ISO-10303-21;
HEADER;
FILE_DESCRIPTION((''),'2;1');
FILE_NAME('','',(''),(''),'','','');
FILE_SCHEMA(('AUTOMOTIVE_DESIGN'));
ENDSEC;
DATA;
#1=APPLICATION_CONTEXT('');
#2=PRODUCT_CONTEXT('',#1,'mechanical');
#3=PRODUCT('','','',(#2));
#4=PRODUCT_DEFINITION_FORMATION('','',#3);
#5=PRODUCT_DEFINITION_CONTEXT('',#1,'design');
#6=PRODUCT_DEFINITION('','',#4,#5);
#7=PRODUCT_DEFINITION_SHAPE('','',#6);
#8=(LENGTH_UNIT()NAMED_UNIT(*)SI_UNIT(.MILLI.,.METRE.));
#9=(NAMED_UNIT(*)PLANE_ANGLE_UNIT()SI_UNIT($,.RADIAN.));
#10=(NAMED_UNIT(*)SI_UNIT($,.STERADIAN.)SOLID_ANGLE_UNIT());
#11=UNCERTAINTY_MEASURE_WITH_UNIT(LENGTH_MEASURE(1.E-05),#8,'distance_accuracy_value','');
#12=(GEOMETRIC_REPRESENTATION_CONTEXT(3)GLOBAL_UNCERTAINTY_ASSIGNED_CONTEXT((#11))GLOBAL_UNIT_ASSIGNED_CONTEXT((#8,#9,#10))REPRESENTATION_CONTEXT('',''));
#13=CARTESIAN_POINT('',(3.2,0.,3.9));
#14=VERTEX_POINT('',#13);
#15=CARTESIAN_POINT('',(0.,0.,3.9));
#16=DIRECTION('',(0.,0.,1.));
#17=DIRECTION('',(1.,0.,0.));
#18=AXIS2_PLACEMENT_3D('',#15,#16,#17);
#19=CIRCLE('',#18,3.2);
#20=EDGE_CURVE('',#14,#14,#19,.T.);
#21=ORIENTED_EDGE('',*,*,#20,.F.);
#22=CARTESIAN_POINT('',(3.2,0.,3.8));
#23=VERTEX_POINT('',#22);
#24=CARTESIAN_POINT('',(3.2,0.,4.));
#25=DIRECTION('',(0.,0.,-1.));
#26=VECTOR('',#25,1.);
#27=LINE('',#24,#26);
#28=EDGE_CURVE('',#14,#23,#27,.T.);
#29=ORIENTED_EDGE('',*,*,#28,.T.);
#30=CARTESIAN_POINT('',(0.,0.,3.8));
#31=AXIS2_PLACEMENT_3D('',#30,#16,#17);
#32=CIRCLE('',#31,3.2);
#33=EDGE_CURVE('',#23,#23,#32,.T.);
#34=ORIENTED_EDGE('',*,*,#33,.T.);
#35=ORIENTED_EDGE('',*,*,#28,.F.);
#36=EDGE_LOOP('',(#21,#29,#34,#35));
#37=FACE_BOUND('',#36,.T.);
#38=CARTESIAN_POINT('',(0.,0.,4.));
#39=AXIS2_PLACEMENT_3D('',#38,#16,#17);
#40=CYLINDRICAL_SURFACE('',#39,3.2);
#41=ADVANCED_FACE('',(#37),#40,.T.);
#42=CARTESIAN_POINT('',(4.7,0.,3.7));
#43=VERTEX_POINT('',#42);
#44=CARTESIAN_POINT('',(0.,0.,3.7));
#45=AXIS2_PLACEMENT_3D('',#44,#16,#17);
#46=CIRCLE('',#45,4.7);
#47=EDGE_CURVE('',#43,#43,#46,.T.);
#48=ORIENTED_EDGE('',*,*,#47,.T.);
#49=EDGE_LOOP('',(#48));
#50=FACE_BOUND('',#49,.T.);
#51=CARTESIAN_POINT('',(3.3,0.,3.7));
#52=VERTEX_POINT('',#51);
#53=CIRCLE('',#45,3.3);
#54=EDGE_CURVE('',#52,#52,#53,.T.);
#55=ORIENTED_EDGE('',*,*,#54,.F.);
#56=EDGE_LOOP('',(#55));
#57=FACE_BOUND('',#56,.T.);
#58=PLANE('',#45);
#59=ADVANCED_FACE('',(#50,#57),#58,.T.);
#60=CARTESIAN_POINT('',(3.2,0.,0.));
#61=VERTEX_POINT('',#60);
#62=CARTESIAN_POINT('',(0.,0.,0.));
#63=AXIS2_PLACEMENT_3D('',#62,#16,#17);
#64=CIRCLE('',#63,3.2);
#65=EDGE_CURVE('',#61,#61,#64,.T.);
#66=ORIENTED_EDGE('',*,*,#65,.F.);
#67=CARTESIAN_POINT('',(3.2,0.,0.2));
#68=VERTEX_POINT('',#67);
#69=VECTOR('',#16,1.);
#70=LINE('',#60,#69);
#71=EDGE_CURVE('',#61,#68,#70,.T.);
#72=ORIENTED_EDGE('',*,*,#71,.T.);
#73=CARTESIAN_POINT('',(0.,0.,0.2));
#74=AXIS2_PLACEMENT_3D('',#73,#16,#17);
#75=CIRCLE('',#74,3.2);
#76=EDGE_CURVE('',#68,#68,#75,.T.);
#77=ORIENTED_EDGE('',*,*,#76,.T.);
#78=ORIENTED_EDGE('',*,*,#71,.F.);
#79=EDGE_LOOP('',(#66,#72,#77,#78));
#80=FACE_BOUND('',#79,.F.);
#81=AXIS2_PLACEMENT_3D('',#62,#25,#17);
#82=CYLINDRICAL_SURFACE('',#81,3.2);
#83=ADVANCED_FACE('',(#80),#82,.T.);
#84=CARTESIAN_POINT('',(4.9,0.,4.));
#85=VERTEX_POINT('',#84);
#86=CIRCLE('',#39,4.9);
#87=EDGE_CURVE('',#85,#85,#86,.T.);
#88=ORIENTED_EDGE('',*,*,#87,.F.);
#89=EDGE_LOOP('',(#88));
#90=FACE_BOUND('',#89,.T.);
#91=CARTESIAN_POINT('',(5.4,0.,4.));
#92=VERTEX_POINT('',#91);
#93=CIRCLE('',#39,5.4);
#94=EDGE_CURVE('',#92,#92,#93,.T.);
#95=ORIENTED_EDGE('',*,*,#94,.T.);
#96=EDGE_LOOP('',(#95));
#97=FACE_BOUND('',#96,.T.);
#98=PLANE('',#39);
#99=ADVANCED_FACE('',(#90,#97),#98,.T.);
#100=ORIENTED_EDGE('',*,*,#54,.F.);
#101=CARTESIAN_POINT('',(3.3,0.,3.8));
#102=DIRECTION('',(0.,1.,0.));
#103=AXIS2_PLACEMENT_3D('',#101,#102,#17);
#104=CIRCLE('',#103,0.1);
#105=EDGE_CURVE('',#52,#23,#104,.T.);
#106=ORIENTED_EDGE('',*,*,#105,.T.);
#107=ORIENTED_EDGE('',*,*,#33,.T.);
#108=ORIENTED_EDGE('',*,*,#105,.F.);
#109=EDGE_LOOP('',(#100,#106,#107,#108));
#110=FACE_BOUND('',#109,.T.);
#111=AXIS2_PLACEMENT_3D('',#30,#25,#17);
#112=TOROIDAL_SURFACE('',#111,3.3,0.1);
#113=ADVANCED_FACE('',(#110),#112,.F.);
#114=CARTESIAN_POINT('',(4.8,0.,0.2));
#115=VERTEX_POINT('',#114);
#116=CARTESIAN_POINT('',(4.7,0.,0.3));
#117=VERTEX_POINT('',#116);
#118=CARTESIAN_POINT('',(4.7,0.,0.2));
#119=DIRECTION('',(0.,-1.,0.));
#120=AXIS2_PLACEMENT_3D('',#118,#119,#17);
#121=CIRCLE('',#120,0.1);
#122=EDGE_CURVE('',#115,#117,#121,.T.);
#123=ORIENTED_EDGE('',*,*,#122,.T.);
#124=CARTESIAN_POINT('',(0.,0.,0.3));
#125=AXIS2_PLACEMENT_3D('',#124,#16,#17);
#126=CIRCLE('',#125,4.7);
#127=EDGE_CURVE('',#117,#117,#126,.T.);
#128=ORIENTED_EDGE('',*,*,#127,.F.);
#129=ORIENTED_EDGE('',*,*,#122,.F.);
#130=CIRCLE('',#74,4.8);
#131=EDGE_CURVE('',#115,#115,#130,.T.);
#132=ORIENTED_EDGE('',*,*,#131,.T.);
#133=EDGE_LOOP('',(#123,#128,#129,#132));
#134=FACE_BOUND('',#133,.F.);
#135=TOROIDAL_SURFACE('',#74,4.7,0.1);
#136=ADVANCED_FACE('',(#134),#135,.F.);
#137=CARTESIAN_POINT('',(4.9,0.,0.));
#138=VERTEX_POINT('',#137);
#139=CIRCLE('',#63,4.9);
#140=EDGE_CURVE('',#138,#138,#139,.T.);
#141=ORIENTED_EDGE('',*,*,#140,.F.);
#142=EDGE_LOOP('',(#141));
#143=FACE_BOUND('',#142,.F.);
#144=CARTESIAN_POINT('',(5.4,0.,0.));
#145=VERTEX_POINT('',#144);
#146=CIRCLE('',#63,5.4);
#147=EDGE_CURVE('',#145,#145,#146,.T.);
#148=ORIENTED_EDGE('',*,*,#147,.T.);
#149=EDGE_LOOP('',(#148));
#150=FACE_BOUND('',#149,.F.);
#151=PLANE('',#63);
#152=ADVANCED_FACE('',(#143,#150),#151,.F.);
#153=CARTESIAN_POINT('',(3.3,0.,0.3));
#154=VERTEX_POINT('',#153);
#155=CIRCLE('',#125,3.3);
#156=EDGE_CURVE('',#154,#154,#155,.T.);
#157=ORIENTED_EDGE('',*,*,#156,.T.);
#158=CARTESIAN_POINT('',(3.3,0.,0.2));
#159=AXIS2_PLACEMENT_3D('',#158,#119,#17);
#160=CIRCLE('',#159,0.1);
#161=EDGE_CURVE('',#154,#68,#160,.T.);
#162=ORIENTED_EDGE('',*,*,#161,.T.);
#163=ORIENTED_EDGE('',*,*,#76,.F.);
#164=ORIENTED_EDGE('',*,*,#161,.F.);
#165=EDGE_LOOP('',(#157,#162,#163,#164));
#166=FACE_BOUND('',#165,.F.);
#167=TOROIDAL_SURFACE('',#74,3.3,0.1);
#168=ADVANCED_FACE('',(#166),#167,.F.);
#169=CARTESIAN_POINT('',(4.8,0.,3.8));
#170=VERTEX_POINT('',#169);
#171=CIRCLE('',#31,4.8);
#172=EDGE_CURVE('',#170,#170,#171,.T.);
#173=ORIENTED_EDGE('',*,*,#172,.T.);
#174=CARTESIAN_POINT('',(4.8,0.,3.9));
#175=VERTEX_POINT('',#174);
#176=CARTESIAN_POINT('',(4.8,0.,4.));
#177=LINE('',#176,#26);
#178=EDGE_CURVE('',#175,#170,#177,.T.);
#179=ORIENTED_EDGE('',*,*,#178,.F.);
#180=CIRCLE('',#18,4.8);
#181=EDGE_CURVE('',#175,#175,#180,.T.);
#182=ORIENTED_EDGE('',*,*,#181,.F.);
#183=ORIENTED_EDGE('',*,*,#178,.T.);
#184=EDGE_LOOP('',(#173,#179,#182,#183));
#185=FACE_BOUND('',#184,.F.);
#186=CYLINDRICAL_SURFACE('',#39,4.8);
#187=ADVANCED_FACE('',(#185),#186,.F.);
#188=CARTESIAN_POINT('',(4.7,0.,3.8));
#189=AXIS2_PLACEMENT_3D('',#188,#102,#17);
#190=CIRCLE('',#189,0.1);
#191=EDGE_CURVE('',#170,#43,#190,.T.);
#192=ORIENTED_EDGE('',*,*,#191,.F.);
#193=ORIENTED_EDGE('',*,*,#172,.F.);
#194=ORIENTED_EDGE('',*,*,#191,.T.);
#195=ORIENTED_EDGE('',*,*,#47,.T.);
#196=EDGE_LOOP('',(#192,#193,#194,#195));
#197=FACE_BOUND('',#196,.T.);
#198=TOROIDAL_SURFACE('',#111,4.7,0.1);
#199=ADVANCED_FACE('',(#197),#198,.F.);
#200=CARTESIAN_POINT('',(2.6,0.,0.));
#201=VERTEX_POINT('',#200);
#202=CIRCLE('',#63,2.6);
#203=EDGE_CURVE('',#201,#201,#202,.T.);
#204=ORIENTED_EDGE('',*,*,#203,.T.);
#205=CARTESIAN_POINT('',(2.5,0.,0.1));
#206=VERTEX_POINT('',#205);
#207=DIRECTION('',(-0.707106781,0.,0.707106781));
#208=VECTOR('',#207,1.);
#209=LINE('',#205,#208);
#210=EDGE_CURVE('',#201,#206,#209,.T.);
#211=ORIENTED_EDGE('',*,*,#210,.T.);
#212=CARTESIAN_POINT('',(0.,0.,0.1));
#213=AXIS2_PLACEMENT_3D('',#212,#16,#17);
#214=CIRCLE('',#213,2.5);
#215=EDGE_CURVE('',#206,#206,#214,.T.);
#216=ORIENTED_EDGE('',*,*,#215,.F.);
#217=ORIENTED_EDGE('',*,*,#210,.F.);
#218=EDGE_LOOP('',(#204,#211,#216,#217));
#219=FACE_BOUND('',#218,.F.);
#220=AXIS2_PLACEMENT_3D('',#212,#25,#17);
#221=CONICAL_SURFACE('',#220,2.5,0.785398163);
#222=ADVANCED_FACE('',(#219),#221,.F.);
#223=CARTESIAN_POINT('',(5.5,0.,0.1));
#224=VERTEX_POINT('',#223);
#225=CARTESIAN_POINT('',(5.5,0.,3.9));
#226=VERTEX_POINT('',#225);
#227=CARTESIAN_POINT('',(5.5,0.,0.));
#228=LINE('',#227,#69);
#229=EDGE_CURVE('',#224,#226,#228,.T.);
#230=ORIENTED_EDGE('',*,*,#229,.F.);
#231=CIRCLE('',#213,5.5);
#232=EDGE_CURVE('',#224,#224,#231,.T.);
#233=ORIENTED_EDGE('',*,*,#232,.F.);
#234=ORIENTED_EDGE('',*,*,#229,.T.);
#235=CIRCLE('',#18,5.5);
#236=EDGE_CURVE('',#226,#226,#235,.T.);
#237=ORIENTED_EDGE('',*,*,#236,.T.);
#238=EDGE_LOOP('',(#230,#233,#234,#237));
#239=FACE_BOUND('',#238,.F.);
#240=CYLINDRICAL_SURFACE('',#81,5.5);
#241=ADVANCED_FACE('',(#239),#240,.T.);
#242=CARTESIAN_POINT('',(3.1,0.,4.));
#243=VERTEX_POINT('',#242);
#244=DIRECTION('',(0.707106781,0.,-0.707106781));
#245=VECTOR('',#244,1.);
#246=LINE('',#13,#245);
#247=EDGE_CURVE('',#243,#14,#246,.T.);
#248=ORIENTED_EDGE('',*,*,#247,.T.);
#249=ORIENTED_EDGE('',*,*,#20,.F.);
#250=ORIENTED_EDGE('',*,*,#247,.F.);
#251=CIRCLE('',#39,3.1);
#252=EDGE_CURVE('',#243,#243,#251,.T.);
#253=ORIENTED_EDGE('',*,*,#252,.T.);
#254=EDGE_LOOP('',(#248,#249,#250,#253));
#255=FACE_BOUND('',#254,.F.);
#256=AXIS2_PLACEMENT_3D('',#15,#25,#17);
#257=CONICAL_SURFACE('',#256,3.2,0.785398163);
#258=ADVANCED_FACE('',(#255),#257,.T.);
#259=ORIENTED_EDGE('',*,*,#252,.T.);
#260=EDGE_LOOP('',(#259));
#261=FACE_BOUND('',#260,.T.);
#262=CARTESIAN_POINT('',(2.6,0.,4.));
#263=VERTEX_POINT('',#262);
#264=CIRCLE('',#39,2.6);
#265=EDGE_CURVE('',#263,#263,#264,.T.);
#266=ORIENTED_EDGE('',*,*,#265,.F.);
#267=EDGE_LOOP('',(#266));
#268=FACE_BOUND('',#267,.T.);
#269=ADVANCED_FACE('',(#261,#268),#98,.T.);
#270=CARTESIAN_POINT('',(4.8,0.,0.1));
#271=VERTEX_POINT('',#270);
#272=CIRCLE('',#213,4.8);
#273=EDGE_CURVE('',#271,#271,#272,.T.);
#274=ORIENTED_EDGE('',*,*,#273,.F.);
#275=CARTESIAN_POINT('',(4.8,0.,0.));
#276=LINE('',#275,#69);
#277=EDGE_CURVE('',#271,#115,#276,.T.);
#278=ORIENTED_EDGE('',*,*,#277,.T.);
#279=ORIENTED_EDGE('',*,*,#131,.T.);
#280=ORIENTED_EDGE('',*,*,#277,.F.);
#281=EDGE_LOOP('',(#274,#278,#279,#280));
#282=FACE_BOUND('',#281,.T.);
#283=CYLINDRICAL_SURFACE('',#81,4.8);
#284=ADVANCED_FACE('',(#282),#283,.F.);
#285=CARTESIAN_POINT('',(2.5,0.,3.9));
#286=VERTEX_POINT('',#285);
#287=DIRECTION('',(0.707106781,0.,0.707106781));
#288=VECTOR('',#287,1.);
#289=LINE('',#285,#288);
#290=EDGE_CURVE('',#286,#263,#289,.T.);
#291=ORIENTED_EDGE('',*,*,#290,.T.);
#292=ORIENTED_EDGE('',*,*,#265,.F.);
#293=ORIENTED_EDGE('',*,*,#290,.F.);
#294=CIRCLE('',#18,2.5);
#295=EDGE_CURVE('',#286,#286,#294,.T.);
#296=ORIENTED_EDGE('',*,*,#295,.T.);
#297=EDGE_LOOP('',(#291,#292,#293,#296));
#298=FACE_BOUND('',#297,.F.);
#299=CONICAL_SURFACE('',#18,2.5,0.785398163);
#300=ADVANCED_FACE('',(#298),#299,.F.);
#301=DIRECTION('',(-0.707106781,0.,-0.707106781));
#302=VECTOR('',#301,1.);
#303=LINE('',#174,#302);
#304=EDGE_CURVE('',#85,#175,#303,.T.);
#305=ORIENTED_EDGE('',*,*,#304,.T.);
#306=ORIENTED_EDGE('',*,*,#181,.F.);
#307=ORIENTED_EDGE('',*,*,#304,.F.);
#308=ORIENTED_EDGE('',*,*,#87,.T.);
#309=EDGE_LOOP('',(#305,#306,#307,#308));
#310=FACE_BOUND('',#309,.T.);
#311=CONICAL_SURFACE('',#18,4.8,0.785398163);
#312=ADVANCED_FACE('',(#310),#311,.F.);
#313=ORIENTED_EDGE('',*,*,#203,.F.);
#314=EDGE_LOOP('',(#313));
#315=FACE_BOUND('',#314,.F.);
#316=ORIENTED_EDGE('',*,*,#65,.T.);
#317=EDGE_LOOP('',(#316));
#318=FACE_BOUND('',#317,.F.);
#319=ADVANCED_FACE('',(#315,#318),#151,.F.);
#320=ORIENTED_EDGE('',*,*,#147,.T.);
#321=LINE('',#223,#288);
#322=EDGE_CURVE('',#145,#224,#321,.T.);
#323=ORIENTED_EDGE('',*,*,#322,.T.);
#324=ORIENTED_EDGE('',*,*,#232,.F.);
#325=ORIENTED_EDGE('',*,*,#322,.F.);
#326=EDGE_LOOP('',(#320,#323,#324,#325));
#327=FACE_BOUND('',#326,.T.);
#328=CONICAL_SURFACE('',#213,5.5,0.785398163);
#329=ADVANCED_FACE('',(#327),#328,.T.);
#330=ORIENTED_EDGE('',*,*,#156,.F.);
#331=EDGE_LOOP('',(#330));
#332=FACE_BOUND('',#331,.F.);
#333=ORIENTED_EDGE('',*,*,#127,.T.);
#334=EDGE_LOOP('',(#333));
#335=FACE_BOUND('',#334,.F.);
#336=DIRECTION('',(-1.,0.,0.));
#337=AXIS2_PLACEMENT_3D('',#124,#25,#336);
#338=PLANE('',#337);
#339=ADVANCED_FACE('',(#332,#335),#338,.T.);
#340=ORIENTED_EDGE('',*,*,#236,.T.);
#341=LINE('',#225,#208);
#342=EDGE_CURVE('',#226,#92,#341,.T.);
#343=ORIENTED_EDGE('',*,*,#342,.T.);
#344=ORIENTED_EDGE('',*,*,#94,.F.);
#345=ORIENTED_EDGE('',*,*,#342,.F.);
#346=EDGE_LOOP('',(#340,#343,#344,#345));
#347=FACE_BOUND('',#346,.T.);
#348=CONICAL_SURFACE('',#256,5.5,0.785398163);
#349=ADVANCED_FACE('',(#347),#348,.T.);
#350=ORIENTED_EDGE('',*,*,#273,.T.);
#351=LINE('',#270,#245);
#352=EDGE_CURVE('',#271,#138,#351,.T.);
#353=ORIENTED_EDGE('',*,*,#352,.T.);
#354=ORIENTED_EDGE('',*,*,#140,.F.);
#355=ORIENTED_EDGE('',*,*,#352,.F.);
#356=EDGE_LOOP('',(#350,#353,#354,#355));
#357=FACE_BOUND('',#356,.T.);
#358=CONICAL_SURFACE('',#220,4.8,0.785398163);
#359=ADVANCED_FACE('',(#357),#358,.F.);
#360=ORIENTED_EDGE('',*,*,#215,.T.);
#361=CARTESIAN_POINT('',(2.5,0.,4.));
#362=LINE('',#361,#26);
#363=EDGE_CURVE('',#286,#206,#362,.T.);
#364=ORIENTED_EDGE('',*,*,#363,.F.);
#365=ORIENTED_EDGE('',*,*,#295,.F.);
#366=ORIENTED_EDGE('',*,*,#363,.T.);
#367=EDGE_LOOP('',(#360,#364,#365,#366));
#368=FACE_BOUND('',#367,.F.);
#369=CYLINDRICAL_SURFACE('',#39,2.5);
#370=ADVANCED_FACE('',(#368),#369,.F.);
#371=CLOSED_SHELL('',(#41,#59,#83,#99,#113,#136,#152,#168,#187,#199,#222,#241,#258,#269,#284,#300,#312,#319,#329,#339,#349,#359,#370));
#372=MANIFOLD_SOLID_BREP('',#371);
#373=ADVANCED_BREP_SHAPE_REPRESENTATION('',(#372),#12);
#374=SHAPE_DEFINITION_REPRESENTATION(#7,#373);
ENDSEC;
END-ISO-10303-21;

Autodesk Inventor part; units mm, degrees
ref_plane "YZ Plane" through (0, 0, 0) normal (1, 0, 0) x (0, 1, 0)
ref_plane "XZ Plane" through (0, 0, 0) normal (0, 1, 0) x (-1, 0, 0)
sketch "Sketch1" plane through (0, 0, 0) normal (0, 0, 1) x (1, 0, 0)
  circle A0 centre (0, 0) radius 5.5
  dimension "d0" = 11
extrude "Extrusion1" add sketch "Sketch1" along normal blind 4
sketch "Sketch2" plane through (0, 0, 4) normal (0, 0, 1) x (1, 0, 0)
  circle A0 centre (0, 0) radius 2.5
  dimension "d3" = 5
extrude "Extrusion2" cut sketch "Sketch2" against normal through all
sketch "Sketch3" plane through (0, 0, 4) normal (0, 0, 1) x (1, 0, 0)
  circle A0 centre (0, 0) radius 3.2
  circle A1 centre (0, 0) radius 4.8
  circle A2 centre (0, 0) radius 2.5 projected
  circle A3 centre (0, 0) radius 5.5 projected
  dimension "d6" = 0.7
  dimension "d7" = 0.7
extrude "Extrusion3" cut sketch "Sketch3" against normal blind 0.3 contours A1
chamfer "Chamfer1" distance 0.1 angle 45 4 edges at (-4.8, 0, 4) (-5.5, 0, 4) (-3.2, 0, 4) (-2.5, 0, 4)
fillet "Fillet1" radius 0.1 2 edges at (-4.8, 0, 3.7) (-3.2, 0, 3.7)
ref_plane "Work Plane1" through (0, 0, 2) normal (0, 0, 1) x (1, 0, 0)
mirror "Mirror1" about plane through (0, 0, 2) normal (0, 0, 1) of "Extrusion3", "Fillet1"
chamfer "Chamfer2" distance 0.1 angle 45 3 edges at (-5.5, 0, 0) (-4.8, 0, 0) (-2.5, 0, 0)
properties part number "MR115 2RS" material "Steel, Alloy"
